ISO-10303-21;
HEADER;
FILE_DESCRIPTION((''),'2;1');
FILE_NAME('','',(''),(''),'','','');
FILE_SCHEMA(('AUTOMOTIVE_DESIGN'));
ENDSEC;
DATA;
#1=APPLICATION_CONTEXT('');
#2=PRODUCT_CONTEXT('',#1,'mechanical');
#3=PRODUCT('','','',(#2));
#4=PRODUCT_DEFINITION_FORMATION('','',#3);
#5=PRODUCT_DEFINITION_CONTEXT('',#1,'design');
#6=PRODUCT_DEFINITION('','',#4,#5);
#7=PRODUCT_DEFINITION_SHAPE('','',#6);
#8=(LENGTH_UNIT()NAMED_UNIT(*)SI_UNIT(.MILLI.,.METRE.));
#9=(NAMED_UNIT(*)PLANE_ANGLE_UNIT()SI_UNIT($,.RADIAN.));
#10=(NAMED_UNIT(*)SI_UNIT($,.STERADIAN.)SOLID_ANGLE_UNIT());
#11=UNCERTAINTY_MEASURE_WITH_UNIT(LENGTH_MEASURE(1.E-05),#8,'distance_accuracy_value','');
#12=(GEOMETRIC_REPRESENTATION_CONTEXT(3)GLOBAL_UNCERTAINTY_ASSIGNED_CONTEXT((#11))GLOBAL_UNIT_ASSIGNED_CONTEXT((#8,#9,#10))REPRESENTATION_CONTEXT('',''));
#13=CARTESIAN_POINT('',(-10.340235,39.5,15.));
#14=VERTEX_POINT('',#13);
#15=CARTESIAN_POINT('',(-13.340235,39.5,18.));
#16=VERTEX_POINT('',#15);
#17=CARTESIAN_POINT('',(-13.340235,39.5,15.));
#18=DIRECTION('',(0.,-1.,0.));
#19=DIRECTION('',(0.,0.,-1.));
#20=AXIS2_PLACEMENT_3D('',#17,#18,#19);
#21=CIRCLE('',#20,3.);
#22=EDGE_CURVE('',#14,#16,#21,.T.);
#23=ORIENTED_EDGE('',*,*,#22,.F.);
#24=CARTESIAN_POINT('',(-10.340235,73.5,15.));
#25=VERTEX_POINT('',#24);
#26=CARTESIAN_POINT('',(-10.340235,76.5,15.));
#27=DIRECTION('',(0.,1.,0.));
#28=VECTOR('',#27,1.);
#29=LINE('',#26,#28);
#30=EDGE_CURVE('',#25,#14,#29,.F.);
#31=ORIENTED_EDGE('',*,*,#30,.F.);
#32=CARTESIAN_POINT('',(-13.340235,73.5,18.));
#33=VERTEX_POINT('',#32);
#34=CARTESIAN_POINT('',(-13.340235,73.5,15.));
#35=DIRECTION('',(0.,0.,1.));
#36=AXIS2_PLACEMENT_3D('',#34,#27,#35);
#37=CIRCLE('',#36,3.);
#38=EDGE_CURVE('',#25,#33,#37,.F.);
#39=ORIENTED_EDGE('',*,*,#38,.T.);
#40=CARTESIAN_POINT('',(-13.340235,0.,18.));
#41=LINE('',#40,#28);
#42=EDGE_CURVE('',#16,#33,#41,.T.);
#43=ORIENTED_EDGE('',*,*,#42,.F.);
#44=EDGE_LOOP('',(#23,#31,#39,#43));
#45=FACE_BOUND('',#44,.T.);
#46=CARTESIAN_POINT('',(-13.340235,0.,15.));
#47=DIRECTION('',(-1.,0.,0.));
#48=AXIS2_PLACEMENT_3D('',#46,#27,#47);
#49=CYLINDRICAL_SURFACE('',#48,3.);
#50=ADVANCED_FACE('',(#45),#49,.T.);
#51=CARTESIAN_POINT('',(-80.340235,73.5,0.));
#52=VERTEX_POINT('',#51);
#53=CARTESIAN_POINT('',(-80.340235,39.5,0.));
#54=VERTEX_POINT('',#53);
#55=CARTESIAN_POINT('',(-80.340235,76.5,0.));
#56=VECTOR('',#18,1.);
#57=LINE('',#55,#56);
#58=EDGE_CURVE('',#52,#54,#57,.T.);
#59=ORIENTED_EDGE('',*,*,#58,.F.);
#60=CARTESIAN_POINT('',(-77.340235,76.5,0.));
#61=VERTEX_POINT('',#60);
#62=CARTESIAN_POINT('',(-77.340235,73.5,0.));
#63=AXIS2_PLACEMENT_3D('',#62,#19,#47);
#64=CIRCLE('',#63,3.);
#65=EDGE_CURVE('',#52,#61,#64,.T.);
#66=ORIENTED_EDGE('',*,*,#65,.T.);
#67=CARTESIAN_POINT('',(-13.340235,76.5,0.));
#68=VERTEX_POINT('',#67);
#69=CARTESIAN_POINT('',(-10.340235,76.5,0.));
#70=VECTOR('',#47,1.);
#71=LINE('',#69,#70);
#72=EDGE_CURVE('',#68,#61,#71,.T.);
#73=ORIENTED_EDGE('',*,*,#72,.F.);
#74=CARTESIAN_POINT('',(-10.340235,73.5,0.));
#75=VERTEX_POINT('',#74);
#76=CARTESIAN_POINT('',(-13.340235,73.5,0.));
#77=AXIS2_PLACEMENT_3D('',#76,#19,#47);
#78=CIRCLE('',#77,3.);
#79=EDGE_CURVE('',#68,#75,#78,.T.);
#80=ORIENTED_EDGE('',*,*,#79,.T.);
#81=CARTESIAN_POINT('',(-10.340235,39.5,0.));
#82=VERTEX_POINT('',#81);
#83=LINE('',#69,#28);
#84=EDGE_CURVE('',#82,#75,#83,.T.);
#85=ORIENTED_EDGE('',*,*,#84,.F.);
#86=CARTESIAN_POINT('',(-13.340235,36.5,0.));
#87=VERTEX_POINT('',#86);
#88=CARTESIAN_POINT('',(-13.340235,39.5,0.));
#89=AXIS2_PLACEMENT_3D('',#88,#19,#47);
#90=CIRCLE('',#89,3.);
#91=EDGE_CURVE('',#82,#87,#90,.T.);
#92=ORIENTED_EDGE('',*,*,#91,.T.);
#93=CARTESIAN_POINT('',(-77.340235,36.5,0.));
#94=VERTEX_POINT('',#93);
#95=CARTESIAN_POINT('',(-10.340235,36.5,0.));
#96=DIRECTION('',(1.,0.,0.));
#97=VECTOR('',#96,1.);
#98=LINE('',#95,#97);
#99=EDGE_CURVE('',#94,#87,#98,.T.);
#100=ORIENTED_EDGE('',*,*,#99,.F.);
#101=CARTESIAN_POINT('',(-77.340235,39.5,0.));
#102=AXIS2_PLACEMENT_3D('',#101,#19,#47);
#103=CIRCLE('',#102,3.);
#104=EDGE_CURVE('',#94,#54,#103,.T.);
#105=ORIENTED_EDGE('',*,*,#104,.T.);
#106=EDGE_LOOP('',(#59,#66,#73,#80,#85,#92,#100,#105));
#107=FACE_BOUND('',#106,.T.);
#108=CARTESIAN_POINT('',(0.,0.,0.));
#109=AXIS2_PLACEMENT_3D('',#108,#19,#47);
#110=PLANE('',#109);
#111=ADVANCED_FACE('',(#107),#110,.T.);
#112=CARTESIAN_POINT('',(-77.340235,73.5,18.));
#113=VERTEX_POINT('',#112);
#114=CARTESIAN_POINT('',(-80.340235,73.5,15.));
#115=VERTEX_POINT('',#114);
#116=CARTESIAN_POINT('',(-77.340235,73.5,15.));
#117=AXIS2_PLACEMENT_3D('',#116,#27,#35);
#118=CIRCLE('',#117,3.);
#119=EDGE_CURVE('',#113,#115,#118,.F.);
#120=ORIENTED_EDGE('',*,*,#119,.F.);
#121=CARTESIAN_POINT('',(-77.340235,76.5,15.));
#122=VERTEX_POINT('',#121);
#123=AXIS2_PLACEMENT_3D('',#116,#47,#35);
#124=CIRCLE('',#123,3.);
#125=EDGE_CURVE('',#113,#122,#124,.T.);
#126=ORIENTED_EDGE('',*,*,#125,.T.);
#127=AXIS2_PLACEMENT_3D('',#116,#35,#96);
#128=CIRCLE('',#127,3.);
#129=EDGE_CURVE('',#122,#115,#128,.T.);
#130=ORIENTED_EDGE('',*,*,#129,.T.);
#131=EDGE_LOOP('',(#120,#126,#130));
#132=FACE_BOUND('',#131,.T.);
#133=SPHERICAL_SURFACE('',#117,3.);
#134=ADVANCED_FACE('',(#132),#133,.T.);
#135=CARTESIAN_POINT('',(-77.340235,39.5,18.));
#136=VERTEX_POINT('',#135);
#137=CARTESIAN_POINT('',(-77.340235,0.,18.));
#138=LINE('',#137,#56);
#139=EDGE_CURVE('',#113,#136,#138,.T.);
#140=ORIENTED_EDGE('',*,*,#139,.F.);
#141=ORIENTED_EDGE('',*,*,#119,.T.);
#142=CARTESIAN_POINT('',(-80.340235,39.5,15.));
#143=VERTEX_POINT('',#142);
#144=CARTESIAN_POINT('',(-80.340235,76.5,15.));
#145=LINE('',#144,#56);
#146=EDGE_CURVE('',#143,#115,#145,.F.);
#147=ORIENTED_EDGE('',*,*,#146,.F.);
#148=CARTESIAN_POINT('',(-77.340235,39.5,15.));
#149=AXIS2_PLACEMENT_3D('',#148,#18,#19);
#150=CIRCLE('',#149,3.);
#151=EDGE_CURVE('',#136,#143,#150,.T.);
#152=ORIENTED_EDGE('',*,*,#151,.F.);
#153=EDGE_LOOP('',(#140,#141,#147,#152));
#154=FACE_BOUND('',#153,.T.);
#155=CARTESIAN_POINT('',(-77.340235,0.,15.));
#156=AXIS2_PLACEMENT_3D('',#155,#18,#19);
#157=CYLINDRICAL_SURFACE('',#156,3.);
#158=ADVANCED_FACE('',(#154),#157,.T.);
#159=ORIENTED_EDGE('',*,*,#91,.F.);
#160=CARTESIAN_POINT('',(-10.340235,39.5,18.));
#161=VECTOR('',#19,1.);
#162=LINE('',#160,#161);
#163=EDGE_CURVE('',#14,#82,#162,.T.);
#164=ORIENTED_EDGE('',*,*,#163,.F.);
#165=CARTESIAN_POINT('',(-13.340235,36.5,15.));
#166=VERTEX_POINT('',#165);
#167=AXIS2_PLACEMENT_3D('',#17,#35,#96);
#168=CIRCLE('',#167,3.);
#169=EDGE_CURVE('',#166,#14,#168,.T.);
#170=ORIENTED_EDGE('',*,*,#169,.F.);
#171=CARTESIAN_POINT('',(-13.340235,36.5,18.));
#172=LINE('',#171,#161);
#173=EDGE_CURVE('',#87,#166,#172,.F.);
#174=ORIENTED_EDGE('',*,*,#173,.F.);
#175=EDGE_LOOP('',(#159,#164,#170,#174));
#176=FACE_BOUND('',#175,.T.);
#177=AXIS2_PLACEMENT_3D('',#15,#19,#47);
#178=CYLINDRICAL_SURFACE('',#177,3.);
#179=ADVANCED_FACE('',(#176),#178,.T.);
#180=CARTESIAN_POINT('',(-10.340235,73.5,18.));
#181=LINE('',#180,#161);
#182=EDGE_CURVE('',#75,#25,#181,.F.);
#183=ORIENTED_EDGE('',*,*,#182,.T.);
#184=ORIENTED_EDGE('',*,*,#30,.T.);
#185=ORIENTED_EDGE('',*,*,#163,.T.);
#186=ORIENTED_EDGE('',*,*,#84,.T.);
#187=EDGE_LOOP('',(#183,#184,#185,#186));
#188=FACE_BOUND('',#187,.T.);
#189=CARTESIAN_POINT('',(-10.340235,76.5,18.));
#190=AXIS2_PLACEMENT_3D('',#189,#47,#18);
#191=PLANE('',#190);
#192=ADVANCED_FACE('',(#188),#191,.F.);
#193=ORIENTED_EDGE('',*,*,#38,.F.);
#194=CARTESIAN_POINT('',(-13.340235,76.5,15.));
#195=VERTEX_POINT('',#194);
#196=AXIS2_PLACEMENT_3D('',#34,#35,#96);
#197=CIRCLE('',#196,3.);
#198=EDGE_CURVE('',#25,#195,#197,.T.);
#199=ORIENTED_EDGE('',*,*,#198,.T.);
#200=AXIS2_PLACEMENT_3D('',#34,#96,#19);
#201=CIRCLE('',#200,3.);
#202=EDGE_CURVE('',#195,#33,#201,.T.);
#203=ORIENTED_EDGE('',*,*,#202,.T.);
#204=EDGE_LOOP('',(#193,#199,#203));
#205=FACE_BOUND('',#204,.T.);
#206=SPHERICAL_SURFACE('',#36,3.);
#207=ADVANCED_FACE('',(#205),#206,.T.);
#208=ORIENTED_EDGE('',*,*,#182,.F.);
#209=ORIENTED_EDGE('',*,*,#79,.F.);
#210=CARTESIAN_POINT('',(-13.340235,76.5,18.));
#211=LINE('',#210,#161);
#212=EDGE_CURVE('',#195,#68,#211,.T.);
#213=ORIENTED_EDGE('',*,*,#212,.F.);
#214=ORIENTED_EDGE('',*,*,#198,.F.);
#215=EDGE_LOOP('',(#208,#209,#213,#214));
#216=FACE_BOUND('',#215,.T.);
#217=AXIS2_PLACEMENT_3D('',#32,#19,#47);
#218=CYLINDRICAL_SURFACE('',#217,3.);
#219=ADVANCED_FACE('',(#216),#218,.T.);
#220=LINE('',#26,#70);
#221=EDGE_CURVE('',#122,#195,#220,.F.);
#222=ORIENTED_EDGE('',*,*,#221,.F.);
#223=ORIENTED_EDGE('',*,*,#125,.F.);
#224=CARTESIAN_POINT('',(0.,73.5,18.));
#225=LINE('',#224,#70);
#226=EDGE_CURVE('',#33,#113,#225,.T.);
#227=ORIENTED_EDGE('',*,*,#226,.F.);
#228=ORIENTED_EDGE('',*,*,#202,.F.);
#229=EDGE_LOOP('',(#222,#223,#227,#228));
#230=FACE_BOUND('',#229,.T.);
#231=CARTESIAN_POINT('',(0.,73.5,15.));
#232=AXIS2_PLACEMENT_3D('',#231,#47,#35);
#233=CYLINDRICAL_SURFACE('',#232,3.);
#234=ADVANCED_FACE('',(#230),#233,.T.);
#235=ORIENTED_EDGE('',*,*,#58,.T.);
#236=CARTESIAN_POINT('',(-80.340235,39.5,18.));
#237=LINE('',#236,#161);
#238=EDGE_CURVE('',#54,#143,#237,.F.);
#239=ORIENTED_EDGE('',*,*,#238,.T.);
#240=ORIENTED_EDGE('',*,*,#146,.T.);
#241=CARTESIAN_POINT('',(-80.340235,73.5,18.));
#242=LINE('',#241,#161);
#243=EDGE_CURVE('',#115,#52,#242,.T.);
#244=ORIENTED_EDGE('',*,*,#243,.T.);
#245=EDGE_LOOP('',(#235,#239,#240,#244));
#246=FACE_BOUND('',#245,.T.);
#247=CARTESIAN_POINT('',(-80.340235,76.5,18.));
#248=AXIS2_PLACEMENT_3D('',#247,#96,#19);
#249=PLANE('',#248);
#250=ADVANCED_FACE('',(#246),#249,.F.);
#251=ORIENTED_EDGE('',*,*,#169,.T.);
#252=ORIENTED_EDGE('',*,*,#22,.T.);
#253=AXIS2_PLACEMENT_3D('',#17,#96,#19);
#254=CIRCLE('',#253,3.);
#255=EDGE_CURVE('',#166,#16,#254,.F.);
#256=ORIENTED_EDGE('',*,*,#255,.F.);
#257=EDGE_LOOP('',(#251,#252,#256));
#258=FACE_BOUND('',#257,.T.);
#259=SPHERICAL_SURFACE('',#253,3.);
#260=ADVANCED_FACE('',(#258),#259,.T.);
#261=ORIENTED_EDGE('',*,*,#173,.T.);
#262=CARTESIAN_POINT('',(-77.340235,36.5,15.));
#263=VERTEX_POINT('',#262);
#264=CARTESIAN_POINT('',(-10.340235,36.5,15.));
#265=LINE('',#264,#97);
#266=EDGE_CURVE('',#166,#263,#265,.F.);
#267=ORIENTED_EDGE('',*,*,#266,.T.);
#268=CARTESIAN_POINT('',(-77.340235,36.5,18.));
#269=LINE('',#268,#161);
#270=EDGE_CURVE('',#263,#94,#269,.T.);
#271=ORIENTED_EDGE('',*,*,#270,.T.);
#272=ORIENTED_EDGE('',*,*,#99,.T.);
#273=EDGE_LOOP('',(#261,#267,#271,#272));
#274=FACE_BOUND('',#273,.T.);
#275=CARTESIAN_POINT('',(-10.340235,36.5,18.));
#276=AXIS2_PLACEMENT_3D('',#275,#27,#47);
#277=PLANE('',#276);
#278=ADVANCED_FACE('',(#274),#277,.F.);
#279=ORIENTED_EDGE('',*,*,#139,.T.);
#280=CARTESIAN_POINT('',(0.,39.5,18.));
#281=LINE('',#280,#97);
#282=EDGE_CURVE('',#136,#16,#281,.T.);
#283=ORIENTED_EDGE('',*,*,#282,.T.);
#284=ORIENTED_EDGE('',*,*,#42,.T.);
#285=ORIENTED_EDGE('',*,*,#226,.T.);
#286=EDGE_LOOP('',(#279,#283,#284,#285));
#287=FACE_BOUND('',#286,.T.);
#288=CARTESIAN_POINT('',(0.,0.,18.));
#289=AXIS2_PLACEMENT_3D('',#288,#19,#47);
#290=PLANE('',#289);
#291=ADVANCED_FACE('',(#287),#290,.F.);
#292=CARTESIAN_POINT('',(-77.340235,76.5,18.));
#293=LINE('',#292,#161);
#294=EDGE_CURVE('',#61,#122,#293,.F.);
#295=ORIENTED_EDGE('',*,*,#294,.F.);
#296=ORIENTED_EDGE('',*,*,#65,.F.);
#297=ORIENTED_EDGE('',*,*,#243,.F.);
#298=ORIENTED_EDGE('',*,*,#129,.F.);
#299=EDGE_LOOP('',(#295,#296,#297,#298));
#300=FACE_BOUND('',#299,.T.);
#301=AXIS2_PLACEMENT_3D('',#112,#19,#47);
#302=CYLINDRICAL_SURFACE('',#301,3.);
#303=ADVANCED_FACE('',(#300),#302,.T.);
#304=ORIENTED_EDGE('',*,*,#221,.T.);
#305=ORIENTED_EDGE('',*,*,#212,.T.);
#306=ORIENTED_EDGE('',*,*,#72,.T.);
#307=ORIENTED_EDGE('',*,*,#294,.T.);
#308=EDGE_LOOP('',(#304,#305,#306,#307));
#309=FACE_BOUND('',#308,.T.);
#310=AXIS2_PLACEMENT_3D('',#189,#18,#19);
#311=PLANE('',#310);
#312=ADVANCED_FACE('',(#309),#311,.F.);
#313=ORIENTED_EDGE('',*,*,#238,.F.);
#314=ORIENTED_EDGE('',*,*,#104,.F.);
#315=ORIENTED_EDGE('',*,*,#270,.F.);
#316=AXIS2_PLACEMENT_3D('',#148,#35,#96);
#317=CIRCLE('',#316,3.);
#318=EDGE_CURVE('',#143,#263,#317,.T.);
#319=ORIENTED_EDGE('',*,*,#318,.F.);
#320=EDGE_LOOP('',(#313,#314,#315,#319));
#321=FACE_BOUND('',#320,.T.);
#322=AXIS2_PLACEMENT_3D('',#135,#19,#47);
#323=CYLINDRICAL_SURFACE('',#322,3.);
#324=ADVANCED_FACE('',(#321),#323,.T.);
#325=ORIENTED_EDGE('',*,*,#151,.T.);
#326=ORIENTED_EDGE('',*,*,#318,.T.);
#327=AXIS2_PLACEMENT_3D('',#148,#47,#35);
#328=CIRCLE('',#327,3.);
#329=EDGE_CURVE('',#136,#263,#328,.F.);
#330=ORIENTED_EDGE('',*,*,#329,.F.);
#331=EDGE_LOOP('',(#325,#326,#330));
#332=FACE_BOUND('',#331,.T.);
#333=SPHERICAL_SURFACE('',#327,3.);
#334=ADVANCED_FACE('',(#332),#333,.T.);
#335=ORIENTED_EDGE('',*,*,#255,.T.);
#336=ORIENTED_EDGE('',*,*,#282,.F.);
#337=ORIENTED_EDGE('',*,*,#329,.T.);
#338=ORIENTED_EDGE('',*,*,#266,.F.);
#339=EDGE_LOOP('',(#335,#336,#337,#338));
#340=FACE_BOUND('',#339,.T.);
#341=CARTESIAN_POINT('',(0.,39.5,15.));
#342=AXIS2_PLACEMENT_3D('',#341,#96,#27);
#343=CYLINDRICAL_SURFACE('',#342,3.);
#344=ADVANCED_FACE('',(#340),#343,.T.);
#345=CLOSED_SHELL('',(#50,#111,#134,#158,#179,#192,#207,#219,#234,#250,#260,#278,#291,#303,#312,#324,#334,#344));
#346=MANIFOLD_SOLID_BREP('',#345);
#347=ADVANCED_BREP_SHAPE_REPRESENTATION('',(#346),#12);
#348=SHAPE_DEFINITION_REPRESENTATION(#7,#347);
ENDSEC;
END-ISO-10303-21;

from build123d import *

# Parameters (mm, degrees)
SKETCH1_W           = 70
SKETCH1_H           = 40
BOSS_EXTRUDE1_DEPTH = 18
FILLET1_R           = 3


with BuildPart() as part:
    # Sketch1 → Boss-Extrude1 (new body)
    with BuildSketch(Plane.XY):
        with Locations((-45.340234895, 56.5)):
            Rectangle(SKETCH1_W, SKETCH1_H)
    extrude(amount=BOSS_EXTRUDE1_DEPTH)

    # Fillet1
    fillet1_edges = [part.edges().sort_by_distance(p)[0] for p in [
        (-80.340234895, 56.5, 18),
        (-45.340234895, 36.5, 18),
        (-10.340234895, 56.5, 18),
        (-10.340234895, 36.5, 9),
        (-80.340234895, 36.5, 9),
        (-80.340234895, 76.5, 9),
        (-10.340234895, 76.5, 9),
        (-45.340234895, 76.5, 18),
    ]]
    fillet(fillet1_edges, radius=FILLET1_R)


solid = part.part
